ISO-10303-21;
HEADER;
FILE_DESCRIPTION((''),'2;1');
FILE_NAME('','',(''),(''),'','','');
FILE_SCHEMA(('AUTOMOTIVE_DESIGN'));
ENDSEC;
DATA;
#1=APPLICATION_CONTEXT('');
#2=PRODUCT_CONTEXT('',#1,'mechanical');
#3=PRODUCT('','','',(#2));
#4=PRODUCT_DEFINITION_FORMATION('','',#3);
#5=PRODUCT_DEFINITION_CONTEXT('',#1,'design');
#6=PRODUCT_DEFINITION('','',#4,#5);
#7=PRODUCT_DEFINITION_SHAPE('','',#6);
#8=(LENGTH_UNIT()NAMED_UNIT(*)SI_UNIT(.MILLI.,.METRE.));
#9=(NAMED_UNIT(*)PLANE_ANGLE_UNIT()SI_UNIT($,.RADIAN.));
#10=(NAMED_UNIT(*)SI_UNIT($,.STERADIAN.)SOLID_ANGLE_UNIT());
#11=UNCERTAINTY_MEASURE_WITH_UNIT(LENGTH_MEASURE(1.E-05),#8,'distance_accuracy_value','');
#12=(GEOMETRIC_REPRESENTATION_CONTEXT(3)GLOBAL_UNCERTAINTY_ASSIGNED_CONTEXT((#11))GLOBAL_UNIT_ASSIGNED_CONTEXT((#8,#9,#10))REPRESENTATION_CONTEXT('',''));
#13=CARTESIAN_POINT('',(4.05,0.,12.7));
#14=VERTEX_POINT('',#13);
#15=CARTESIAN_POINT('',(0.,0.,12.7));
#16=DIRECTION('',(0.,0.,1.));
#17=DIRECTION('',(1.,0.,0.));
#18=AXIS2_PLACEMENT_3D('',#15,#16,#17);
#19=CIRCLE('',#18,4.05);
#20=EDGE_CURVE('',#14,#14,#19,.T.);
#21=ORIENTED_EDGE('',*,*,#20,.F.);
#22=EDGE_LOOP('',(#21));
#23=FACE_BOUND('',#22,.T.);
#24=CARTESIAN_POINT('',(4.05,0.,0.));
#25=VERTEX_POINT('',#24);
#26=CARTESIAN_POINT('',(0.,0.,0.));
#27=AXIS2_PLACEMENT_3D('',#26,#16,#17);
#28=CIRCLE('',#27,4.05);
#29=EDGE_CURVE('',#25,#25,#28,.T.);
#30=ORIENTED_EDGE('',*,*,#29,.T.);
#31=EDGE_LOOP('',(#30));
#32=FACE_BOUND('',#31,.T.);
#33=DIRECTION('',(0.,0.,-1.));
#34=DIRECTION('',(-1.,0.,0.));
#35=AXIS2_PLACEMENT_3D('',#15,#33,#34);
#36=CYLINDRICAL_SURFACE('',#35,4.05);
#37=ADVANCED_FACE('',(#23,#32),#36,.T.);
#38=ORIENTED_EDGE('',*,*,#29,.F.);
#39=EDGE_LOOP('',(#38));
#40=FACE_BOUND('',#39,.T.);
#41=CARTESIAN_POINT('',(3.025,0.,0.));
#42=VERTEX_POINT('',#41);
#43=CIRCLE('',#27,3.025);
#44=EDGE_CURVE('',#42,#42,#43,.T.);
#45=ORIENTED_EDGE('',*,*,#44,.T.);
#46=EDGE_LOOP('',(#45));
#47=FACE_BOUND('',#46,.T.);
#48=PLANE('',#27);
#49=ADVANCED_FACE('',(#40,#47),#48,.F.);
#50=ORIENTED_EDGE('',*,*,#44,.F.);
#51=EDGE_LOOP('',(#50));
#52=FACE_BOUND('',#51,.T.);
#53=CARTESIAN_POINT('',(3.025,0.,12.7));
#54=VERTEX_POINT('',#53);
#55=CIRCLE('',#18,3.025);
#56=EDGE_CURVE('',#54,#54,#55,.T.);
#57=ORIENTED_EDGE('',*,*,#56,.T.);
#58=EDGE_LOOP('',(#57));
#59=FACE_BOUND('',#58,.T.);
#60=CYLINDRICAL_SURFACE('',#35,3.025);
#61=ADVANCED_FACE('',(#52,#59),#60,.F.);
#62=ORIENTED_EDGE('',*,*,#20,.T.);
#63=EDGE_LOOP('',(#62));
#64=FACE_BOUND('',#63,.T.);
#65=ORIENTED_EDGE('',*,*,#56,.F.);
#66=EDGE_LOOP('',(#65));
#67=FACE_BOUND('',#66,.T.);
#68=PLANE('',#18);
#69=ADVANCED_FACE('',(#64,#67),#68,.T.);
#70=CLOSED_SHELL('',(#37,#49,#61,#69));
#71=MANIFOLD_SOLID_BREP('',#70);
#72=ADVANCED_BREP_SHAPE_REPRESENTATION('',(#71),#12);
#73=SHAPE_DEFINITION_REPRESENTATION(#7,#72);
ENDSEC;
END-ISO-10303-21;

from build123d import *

# Parameters (mm, degrees)
S01_INSTALLED_BRASS_ENVELOPE_SIMPLIF_R       = 4.05
S01_INSTALLED_BRASS_ENVELOPE_SIMPLIF_R_2     = 3.025
F_01_INSTALLED_BRASS_ENVELOPE_SIMPLIFI_DEPTH = 12.7


with BuildPart() as part:
    # S01 - Installed brass envelope - simplified threads → 01 - Installed brass envelope - simplified threads (new body)
    with BuildSketch(Plane.XY):
        Circle(S01_INSTALLED_BRASS_ENVELOPE_SIMPLIF_R)
        Circle(S01_INSTALLED_BRASS_ENVELOPE_SIMPLIF_R_2, mode=Mode.SUBTRACT)
    extrude(amount=F_01_INSTALLED_BRASS_ENVELOPE_SIMPLIFI_DEPTH)


solid = part.part
